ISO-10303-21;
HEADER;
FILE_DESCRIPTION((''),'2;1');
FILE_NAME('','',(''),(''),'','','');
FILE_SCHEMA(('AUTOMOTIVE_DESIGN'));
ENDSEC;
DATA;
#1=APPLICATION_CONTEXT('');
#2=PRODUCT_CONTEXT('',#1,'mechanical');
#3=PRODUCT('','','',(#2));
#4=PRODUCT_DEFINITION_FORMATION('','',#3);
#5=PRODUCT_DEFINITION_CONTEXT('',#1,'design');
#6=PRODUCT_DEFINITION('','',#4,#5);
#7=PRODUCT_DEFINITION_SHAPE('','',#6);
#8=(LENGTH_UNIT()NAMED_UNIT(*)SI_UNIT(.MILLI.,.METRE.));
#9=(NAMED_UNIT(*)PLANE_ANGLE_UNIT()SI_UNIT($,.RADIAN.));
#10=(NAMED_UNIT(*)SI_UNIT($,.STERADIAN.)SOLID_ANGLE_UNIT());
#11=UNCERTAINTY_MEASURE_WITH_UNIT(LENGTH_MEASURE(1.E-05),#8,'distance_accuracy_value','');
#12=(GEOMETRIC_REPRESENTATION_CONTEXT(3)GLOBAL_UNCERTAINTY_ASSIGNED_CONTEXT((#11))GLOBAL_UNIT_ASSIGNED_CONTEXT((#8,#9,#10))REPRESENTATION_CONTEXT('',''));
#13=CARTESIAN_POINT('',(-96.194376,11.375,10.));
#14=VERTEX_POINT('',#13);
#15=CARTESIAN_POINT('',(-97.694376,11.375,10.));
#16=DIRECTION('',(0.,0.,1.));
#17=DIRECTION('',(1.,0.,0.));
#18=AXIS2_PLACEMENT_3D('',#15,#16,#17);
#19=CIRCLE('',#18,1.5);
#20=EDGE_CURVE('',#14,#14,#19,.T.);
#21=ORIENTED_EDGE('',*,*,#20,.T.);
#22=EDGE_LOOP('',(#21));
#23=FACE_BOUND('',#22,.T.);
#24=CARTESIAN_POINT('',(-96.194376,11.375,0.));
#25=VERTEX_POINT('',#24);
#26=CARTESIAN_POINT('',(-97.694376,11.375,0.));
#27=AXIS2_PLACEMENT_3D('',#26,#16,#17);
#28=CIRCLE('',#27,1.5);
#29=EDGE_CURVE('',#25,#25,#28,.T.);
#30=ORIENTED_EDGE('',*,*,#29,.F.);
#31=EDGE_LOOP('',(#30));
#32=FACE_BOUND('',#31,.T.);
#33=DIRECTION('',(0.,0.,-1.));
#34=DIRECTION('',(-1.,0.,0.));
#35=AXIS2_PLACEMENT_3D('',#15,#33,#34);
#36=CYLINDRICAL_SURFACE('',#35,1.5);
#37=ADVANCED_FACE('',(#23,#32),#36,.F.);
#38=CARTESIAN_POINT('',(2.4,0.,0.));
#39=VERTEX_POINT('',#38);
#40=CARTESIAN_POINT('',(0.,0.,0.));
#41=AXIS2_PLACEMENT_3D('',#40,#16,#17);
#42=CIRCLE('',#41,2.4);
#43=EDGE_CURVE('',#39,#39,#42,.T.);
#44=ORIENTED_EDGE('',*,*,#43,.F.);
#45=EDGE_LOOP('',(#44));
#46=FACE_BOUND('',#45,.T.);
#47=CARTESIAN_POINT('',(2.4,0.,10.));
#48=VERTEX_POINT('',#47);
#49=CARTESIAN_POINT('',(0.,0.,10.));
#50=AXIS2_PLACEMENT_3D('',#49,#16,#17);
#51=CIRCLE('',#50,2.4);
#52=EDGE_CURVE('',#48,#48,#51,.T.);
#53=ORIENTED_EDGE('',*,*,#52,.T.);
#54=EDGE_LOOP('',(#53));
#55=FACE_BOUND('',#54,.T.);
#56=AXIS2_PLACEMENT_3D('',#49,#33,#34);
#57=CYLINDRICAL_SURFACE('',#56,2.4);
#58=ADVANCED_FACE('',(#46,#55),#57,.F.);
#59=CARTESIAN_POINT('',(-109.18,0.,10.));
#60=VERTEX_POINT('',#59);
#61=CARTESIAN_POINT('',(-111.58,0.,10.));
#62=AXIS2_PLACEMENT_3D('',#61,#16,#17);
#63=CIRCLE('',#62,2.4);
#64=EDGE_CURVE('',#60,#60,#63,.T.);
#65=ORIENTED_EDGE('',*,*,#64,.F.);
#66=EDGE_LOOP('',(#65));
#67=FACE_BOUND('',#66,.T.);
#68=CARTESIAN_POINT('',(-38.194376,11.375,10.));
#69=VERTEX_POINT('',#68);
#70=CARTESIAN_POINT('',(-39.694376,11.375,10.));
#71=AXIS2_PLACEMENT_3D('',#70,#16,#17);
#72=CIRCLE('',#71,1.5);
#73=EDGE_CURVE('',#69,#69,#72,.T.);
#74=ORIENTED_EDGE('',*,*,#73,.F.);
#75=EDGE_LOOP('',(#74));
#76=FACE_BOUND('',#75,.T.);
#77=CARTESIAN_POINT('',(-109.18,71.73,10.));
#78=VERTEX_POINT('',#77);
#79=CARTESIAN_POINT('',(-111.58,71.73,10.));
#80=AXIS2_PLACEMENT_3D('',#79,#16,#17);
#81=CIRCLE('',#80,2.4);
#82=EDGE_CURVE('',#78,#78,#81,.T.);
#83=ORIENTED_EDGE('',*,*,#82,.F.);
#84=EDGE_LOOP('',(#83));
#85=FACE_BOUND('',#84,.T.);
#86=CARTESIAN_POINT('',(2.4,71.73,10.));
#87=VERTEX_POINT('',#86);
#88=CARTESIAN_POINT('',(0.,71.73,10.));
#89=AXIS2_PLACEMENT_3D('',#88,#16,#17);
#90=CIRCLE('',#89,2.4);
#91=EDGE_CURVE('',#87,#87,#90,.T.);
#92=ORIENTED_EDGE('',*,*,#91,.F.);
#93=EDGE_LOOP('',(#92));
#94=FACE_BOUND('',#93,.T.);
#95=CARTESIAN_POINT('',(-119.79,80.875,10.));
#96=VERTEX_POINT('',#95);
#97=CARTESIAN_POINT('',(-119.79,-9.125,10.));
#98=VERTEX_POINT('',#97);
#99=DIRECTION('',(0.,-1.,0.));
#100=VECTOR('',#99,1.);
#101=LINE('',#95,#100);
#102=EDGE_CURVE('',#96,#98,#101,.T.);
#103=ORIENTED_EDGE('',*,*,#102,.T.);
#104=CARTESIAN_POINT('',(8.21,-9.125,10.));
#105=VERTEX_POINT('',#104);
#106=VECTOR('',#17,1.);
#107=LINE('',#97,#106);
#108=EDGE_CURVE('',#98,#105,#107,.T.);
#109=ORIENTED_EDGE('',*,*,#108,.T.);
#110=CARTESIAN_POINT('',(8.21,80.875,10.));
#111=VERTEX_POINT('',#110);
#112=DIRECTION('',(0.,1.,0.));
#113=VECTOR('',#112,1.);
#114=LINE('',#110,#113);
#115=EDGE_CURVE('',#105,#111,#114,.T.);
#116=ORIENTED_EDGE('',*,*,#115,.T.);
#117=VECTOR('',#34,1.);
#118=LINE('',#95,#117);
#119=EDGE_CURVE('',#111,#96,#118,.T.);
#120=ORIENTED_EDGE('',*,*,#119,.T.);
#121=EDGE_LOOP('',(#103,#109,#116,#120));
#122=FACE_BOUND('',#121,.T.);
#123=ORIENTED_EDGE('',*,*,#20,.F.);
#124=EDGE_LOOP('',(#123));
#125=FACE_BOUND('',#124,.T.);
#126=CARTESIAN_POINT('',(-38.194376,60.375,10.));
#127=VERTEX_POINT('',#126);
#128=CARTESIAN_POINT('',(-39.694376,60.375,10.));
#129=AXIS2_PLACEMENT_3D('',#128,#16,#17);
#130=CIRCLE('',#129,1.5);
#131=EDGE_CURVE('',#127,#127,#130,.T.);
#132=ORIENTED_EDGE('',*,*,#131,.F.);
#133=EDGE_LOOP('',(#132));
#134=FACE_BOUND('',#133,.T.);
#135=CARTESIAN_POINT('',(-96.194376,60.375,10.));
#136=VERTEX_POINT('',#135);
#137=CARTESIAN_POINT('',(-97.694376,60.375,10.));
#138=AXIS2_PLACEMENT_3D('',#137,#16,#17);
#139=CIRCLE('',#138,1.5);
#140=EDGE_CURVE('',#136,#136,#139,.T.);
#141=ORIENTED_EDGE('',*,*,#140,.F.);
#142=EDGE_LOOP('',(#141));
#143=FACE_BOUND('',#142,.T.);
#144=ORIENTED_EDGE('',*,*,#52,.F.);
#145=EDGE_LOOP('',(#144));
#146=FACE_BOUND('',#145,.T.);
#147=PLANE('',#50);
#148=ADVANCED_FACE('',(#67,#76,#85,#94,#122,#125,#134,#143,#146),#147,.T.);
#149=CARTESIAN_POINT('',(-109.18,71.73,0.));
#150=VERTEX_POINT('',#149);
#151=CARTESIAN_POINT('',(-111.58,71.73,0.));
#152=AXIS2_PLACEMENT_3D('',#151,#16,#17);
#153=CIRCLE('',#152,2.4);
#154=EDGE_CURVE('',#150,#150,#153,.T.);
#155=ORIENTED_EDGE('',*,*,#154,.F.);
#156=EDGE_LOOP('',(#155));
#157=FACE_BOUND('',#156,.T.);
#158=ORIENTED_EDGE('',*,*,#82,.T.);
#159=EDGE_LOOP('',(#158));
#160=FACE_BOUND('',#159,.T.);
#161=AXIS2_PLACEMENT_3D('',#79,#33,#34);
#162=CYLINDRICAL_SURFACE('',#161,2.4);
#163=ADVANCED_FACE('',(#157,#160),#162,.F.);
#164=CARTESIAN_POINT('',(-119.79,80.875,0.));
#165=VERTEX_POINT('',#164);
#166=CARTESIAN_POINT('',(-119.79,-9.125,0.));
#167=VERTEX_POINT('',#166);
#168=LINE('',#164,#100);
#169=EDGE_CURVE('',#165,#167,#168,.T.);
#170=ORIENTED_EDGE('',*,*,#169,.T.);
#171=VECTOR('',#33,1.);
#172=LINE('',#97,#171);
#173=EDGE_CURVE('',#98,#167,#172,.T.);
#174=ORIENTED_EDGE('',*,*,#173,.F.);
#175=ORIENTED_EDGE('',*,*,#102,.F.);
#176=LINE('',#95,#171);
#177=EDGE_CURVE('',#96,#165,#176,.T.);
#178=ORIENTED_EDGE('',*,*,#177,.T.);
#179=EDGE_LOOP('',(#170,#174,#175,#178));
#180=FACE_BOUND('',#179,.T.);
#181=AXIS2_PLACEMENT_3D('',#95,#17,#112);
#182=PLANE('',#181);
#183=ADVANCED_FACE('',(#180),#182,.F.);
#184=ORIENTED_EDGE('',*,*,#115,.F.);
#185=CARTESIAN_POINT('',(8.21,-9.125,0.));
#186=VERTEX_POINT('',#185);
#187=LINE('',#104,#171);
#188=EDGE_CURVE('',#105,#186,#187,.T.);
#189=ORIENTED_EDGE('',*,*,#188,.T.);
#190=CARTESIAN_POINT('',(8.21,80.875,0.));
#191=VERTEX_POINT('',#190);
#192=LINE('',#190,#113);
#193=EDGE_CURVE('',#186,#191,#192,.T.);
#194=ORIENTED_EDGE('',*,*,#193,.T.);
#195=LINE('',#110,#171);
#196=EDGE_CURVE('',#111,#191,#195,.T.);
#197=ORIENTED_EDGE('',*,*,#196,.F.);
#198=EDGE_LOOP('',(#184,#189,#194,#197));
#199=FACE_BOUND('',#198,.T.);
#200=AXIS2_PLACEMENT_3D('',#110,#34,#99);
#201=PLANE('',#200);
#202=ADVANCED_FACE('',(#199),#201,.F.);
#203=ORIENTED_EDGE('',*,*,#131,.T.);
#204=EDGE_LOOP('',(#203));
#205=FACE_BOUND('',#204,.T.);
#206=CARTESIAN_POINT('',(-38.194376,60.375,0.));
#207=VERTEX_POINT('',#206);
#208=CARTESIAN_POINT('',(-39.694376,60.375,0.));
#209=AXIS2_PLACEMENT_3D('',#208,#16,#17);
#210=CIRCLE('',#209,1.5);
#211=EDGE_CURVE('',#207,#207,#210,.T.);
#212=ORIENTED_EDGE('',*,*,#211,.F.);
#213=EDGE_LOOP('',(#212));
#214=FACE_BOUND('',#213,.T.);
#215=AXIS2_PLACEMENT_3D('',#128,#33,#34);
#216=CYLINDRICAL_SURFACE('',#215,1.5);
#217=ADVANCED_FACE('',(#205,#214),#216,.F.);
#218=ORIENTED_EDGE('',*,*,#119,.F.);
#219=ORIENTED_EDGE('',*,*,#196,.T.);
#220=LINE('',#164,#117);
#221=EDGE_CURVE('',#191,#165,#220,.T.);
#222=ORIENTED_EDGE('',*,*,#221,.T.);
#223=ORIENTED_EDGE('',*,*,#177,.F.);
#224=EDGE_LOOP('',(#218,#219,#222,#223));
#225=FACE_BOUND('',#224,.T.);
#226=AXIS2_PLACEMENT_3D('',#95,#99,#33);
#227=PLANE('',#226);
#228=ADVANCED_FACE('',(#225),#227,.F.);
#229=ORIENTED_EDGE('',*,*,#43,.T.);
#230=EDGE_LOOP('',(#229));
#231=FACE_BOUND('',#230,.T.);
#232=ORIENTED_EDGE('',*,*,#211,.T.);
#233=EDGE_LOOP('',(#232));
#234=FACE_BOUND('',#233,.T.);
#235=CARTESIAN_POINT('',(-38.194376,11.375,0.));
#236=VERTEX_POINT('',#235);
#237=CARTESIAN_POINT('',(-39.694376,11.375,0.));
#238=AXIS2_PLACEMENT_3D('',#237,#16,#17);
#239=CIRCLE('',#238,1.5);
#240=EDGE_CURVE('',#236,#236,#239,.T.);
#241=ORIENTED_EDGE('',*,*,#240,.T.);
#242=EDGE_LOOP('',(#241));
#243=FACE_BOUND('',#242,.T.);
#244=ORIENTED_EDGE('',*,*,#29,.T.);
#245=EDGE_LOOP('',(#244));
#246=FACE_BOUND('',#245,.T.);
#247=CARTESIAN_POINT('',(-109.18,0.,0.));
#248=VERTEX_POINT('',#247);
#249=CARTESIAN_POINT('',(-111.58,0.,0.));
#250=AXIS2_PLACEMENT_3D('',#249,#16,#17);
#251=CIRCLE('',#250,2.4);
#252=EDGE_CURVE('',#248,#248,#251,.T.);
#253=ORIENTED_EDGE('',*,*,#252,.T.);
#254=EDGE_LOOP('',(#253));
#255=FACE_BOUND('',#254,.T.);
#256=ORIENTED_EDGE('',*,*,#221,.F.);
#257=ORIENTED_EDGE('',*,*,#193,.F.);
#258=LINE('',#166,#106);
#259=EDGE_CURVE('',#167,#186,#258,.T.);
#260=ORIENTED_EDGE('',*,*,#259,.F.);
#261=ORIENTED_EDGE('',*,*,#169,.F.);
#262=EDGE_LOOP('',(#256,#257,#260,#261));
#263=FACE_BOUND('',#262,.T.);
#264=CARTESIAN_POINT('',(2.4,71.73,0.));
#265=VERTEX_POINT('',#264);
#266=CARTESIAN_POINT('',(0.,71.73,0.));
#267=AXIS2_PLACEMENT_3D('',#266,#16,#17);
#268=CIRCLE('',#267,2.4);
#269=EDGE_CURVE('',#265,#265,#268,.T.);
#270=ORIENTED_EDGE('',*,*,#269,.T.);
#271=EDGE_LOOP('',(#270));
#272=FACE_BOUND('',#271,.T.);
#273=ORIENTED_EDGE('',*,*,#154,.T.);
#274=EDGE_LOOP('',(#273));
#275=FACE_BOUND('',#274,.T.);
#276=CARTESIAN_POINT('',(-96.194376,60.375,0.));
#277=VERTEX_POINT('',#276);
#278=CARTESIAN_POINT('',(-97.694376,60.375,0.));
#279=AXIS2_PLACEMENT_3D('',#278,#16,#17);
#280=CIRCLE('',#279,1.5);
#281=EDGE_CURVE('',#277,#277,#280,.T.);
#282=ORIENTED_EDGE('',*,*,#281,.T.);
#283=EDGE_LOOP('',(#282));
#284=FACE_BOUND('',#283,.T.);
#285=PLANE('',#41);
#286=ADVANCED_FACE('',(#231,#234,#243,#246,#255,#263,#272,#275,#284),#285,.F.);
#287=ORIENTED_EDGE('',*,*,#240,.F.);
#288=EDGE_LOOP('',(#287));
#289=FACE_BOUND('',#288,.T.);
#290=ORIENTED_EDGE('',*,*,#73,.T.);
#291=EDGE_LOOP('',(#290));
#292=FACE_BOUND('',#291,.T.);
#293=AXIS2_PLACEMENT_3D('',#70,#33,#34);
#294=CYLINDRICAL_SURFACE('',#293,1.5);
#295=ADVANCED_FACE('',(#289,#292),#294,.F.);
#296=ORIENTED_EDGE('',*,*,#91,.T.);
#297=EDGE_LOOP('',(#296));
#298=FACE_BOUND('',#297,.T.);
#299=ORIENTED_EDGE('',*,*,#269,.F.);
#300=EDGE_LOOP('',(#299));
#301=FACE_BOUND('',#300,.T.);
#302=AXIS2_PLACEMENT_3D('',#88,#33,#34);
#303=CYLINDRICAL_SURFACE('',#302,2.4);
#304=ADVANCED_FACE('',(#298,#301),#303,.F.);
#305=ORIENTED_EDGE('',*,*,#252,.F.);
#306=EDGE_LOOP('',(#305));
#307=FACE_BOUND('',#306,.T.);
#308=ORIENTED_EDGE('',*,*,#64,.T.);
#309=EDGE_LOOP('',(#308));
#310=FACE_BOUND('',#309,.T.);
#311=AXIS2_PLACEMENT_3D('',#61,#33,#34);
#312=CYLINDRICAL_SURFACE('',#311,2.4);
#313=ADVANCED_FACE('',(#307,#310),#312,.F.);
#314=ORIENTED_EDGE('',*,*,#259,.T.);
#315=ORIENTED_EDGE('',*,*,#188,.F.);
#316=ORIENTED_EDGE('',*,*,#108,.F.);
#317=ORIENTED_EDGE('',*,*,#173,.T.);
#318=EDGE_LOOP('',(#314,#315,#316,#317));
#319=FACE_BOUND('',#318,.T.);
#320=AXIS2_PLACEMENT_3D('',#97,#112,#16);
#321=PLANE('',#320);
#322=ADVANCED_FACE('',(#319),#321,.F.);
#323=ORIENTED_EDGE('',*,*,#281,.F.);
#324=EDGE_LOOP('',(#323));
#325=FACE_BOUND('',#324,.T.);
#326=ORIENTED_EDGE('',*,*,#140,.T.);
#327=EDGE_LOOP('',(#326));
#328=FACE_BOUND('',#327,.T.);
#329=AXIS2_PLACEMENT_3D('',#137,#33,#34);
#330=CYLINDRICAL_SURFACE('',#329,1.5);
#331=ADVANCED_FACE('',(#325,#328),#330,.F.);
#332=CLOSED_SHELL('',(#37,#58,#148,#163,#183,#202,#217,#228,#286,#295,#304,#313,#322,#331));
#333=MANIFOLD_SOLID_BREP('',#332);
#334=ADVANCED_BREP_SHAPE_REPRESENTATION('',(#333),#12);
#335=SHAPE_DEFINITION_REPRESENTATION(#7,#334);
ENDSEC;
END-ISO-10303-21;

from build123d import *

# Parameters (mm, degrees)
SKETCH1_W           = 128
SKETCH1_H           = 90
SKETCH1_R           = 2.4
SKETCH1_R_2         = 1.5
BOSS_EXTRUDE3_DEPTH = 10


with BuildPart() as part:
    # Sketch1 → Boss-Extrude3 (new body)
    with BuildSketch(Plane.XY):
        with Locations((-55.79, 35.875)):
            Rectangle(SKETCH1_W, SKETCH1_H)
        with Locations((0, 71.73)):
            Circle(SKETCH1_R, mode=Mode.SUBTRACT)
        with Locations((-111.58, 0)):
            Circle(SKETCH1_R, mode=Mode.SUBTRACT)
        Circle(SKETCH1_R, mode=Mode.SUBTRACT)
        with Locations((-111.58, 71.73)):
            Circle(SKETCH1_R, mode=Mode.SUBTRACT)
        with Locations((-97.694375804, 60.375)):
            Circle(SKETCH1_R_2, mode=Mode.SUBTRACT)
        with Locations((-39.694375804, 60.375)):
            Circle(SKETCH1_R_2, mode=Mode.SUBTRACT)
        with Locations((-39.694375804, 11.375)):
            Circle(SKETCH1_R_2, mode=Mode.SUBTRACT)
        with Locations((-97.694375804, 11.375)):
            Circle(SKETCH1_R_2, mode=Mode.SUBTRACT)
    extrude(amount=BOSS_EXTRUDE3_DEPTH)


solid = part.part
